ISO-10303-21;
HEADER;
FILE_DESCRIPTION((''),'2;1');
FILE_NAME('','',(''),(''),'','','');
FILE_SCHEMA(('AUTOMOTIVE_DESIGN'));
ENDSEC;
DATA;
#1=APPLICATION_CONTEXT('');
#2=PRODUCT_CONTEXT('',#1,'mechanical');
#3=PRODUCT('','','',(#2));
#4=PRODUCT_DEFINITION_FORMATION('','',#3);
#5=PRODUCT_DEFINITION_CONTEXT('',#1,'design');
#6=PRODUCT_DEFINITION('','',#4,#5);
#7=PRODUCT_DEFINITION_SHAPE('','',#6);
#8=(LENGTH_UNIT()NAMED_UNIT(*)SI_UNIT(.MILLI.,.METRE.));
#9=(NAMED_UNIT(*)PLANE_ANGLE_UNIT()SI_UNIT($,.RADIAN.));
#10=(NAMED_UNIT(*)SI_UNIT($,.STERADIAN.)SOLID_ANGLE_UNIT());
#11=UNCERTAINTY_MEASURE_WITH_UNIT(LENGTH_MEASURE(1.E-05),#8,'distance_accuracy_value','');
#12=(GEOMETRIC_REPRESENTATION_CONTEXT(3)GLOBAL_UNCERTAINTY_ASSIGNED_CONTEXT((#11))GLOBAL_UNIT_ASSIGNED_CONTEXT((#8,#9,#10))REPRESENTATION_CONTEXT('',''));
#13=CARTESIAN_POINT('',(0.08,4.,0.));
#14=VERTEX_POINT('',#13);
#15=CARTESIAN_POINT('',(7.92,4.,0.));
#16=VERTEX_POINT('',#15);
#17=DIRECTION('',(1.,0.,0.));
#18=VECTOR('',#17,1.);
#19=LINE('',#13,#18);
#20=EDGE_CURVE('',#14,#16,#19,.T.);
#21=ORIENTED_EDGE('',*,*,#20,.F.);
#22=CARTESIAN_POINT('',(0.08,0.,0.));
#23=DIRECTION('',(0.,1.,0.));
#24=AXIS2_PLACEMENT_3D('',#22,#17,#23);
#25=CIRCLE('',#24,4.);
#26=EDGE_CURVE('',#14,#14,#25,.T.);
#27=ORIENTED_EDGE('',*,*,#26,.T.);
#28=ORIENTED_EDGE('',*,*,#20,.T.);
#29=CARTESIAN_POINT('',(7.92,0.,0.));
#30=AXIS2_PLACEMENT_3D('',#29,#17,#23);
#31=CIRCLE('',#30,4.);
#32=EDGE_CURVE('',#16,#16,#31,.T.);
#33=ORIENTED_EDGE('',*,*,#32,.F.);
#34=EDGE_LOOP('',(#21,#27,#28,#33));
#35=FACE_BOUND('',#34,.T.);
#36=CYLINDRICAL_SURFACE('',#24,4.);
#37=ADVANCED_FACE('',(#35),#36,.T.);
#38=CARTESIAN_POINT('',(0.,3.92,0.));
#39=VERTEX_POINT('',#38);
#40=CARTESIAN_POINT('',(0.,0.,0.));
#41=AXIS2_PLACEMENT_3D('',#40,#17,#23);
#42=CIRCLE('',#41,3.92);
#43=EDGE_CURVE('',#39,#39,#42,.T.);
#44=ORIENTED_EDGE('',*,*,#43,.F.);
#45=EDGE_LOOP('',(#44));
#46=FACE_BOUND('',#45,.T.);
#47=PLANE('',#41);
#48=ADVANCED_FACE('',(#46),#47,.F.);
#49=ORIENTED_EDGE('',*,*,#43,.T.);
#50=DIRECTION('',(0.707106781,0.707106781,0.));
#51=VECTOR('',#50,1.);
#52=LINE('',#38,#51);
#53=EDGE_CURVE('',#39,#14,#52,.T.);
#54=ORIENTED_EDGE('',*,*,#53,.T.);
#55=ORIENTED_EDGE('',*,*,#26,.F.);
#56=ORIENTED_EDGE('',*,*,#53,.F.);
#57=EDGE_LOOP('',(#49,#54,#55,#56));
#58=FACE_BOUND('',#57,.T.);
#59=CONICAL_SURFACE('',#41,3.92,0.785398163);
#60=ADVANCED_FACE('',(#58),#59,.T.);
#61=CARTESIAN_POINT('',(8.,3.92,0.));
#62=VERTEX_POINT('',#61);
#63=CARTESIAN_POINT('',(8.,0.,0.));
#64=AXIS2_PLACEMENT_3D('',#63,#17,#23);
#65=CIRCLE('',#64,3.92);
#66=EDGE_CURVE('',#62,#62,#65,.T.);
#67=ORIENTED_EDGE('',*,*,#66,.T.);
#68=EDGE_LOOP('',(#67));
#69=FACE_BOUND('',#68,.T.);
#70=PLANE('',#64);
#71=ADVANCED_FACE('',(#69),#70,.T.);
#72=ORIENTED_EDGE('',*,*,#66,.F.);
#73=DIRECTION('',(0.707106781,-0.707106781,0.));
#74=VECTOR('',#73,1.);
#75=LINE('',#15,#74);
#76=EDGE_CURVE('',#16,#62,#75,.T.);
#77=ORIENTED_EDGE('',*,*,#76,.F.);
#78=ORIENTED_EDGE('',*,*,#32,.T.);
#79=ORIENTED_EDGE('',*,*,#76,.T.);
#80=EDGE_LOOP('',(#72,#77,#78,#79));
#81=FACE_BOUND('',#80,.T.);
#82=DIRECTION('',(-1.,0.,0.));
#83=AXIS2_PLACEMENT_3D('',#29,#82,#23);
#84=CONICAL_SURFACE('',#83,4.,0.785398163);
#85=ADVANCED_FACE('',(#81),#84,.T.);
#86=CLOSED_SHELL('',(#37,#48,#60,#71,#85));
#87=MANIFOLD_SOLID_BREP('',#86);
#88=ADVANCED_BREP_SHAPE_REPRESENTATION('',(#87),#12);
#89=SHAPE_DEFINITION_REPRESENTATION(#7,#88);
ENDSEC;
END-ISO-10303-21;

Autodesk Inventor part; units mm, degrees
ref_plane "YZ Plane" through (0, 0, 0) normal (1, 0, 0) x (0, 1, 0)
ref_plane "XZ Plane" through (0, 0, 0) normal (0, 1, 0) x (-1, 0, 0)
ref_plane "XY Plane" through (0, 0, 0) normal (0, 0, 1) x (1, 0, 0)
sketch "Sketch_1" plane through (0, 0, 0) normal (0, 0, 1) x (1, 0, 0)
  line L0 (8, 0) -> (0, 0)
  line L1 (0, 0) -> (0, 3.92)
  line L2 (0, 3.92) -> (0.08, 4)
  line L3 (0.08, 4) -> (7.92, 4)
  line L4 (7.92, 4) -> (8, 3.92)
  line L5 (8, 3.92) -> (8, 0)
  line L6 (8, 0) -> (0, 0)
revolve "Revolution1" add sketch "Sketch_1" angle 360 about axis through (8, 0, 0) along (1, 0, 0)
properties part number "HXNN8-8"
